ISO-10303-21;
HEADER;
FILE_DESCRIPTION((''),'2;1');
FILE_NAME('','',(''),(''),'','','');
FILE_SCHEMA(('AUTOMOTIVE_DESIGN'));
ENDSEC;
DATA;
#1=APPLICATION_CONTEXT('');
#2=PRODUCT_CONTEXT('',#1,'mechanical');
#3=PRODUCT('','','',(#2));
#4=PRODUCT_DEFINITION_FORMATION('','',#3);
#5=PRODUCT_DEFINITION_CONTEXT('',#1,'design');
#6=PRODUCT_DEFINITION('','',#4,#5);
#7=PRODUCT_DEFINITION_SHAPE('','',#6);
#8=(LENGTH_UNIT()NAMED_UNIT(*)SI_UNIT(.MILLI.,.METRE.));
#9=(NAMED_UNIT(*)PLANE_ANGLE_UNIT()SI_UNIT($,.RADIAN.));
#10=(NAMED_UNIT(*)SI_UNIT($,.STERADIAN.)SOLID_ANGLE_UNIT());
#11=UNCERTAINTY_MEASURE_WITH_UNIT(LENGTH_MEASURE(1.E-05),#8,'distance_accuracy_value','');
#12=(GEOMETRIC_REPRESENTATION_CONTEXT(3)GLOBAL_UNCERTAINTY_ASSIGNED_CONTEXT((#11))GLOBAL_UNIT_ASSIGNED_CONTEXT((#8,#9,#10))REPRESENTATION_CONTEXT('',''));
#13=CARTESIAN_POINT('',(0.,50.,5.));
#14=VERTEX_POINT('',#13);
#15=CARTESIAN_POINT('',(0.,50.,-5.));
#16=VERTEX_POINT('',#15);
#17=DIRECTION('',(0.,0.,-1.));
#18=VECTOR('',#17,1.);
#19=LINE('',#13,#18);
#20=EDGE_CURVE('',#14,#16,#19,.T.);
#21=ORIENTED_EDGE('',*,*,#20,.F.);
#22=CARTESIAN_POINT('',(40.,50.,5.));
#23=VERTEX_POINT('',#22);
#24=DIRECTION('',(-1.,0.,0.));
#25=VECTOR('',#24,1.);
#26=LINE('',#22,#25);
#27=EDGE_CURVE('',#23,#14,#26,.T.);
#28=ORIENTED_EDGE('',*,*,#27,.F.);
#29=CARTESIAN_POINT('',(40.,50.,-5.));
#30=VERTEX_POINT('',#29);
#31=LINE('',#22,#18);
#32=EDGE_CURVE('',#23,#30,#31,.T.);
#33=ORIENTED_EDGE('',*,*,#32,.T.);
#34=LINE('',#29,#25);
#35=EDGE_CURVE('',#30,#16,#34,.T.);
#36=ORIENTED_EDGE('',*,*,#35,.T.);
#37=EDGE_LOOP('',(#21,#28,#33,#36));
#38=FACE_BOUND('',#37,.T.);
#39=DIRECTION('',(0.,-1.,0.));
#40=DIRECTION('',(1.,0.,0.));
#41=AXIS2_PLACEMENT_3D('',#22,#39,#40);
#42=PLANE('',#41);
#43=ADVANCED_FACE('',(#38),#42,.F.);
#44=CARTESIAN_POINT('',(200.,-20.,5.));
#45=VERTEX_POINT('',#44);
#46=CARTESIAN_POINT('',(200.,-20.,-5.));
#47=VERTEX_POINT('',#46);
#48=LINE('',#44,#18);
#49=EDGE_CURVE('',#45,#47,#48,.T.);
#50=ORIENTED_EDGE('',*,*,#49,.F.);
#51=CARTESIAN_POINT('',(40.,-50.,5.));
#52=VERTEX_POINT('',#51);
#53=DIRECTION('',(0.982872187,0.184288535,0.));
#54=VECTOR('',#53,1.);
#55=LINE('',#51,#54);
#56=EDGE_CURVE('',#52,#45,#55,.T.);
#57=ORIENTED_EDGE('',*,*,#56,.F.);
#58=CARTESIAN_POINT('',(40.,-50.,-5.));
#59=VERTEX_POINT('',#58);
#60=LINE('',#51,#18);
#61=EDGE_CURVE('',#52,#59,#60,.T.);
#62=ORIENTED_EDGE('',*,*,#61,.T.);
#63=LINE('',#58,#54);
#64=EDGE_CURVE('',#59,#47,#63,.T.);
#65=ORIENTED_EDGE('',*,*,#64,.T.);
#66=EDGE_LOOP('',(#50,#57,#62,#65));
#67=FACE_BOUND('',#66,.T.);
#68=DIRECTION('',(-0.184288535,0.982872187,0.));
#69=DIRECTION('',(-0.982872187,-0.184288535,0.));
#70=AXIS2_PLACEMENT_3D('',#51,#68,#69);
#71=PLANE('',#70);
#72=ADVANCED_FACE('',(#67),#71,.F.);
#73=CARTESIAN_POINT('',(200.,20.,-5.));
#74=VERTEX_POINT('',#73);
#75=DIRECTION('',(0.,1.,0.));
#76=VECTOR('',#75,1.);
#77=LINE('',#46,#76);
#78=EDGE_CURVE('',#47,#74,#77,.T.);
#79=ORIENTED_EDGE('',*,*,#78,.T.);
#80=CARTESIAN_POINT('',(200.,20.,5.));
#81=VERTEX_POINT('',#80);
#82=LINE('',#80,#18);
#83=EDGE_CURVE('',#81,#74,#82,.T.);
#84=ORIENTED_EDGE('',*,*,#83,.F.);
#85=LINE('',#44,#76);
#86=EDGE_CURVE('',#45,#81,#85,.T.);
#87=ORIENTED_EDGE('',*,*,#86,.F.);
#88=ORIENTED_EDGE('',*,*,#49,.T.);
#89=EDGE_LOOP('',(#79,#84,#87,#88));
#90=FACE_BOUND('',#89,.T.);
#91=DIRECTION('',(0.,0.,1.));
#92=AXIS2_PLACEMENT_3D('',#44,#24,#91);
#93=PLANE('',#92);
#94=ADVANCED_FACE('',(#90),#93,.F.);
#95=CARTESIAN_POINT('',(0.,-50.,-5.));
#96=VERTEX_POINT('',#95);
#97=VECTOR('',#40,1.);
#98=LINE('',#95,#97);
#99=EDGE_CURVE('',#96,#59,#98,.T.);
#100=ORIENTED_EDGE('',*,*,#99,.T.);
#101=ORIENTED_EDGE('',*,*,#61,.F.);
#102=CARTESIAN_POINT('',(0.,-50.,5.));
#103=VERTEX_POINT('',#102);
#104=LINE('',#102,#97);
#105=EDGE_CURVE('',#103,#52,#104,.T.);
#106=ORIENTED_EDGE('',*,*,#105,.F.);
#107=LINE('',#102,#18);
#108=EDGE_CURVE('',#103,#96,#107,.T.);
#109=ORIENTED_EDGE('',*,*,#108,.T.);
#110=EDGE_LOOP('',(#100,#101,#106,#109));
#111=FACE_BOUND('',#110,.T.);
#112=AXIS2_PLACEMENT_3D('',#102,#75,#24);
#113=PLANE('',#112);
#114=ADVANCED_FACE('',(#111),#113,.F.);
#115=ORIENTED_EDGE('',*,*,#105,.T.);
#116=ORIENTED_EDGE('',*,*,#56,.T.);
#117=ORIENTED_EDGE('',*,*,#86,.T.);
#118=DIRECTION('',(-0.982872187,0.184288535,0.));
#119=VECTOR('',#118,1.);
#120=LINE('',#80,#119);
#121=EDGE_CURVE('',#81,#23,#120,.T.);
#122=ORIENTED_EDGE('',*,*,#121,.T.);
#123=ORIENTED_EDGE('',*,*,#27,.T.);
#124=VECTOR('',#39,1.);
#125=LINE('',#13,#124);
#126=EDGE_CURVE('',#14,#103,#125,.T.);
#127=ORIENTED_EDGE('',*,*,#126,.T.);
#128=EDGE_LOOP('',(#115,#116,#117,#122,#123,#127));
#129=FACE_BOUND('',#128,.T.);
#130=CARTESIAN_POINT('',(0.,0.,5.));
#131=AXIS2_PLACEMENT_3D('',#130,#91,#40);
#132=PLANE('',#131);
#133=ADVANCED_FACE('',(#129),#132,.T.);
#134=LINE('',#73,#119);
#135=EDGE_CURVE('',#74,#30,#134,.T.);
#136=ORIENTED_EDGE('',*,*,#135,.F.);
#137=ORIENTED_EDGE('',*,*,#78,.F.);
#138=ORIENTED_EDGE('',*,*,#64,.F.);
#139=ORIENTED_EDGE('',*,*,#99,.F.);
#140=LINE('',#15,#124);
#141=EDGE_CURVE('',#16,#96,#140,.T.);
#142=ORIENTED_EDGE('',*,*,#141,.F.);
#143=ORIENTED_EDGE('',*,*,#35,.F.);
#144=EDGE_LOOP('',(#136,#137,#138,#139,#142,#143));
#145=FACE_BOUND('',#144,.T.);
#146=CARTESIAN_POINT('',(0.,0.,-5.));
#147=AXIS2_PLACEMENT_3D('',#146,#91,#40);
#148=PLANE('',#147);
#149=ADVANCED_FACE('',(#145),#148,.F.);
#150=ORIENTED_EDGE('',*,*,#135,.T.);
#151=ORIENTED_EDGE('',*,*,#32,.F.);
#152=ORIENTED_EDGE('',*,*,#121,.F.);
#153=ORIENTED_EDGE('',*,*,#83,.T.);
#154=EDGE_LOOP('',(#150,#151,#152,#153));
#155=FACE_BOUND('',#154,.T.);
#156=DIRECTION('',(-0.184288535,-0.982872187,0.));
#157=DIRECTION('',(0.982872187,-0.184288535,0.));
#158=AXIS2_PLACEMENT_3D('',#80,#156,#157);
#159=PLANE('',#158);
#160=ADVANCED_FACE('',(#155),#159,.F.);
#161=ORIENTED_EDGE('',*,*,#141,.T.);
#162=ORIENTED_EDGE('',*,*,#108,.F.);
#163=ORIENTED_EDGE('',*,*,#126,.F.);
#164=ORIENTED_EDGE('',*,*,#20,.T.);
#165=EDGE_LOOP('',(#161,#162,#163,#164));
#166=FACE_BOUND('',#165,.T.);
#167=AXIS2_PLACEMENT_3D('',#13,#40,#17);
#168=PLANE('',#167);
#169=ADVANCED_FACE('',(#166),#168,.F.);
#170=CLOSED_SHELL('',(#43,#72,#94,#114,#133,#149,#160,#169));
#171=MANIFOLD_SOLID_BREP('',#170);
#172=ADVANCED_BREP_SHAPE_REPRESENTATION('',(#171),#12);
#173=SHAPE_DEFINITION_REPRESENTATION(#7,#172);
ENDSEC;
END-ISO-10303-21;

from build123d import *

# Parameters (mm, degrees)
BOSS_EXTRUDE1_DEPTH = 5


with BuildPart() as part:
    # Sketch1 → Boss-Extrude1 (new, symmetric)
    with BuildSketch(Plane.XY):
        Polygon((200, 20), (40, 50), (0, 50), (0, -50), (40, -50), (200, -20), align=None)
    extrude(amount=BOSS_EXTRUDE1_DEPTH, both=True)


solid = part.part
